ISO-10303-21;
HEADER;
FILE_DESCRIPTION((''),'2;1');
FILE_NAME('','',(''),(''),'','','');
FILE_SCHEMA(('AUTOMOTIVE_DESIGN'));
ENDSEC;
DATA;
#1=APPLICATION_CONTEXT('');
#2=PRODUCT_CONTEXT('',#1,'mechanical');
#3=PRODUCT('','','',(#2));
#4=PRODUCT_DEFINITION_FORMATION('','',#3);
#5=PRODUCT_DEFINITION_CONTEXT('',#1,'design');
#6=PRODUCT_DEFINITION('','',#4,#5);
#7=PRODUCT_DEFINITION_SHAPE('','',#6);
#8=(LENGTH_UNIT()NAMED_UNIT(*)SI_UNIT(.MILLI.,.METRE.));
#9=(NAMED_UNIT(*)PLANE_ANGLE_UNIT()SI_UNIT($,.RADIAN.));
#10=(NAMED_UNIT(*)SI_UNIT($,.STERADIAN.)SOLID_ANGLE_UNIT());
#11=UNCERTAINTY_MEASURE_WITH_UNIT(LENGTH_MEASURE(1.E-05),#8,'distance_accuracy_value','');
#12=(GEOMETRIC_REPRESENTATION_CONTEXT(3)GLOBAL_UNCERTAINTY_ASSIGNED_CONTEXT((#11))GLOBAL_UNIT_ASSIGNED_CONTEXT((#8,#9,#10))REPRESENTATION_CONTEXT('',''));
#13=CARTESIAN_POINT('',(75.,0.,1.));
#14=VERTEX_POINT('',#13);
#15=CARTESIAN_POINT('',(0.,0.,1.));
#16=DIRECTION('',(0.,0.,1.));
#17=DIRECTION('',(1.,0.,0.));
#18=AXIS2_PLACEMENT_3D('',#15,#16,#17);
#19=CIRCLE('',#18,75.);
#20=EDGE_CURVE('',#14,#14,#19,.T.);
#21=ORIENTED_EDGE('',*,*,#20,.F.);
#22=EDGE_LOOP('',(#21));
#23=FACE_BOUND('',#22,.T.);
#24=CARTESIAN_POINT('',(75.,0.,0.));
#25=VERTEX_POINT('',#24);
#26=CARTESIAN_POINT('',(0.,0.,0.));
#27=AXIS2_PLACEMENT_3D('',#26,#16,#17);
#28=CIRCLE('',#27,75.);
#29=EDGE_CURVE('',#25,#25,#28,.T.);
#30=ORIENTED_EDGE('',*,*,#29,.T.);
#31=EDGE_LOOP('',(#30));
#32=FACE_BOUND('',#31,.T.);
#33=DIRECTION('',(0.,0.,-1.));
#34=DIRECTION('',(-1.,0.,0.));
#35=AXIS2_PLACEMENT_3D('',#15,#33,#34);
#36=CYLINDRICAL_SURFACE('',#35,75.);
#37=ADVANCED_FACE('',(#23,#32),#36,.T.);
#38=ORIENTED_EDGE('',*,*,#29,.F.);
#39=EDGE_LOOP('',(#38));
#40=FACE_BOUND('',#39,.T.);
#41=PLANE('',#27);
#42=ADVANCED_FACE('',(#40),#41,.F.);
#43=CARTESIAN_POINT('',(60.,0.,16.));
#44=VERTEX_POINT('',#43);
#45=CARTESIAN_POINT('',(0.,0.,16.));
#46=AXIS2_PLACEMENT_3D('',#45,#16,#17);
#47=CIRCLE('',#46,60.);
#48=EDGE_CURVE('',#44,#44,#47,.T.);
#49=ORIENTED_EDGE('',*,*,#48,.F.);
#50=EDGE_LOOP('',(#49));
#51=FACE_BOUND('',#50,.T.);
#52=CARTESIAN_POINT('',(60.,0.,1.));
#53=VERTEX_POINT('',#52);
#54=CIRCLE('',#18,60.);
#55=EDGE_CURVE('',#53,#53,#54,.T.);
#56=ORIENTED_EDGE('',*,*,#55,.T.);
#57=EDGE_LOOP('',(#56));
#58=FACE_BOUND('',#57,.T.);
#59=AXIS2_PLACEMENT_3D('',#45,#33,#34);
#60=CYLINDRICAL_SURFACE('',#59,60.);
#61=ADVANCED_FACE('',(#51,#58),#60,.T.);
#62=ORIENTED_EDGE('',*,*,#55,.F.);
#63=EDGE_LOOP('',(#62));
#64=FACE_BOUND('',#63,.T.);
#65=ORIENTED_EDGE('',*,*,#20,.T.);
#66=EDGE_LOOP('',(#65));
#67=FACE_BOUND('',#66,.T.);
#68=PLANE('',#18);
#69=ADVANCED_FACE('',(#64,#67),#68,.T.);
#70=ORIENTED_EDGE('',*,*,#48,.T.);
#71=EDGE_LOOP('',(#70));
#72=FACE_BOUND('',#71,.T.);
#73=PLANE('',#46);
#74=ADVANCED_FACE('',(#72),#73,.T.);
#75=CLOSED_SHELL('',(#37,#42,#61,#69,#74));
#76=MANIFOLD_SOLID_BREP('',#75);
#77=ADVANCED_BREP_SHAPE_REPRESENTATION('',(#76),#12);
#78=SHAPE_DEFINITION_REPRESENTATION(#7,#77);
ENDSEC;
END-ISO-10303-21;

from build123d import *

# Parameters (mm, degrees)
SKETCH1_R           = 75
BOSS_EXTRUDE1_DEPTH = 1
SKETCH2_R           = 60
BOSS_EXTRUDE2_DEPTH = 15


with BuildPart() as part:
    # Sketch1 → Boss-Extrude1 (new body)
    with BuildSketch(Plane.XY):
        Circle(SKETCH1_R)
    extrude(amount=BOSS_EXTRUDE1_DEPTH)

    # Sketch2 → Boss-Extrude2 (add)
    with BuildSketch(Plane.XY.offset(1)):
        Circle(SKETCH2_R)
    extrude(amount=BOSS_EXTRUDE2_DEPTH)


solid = part.part
